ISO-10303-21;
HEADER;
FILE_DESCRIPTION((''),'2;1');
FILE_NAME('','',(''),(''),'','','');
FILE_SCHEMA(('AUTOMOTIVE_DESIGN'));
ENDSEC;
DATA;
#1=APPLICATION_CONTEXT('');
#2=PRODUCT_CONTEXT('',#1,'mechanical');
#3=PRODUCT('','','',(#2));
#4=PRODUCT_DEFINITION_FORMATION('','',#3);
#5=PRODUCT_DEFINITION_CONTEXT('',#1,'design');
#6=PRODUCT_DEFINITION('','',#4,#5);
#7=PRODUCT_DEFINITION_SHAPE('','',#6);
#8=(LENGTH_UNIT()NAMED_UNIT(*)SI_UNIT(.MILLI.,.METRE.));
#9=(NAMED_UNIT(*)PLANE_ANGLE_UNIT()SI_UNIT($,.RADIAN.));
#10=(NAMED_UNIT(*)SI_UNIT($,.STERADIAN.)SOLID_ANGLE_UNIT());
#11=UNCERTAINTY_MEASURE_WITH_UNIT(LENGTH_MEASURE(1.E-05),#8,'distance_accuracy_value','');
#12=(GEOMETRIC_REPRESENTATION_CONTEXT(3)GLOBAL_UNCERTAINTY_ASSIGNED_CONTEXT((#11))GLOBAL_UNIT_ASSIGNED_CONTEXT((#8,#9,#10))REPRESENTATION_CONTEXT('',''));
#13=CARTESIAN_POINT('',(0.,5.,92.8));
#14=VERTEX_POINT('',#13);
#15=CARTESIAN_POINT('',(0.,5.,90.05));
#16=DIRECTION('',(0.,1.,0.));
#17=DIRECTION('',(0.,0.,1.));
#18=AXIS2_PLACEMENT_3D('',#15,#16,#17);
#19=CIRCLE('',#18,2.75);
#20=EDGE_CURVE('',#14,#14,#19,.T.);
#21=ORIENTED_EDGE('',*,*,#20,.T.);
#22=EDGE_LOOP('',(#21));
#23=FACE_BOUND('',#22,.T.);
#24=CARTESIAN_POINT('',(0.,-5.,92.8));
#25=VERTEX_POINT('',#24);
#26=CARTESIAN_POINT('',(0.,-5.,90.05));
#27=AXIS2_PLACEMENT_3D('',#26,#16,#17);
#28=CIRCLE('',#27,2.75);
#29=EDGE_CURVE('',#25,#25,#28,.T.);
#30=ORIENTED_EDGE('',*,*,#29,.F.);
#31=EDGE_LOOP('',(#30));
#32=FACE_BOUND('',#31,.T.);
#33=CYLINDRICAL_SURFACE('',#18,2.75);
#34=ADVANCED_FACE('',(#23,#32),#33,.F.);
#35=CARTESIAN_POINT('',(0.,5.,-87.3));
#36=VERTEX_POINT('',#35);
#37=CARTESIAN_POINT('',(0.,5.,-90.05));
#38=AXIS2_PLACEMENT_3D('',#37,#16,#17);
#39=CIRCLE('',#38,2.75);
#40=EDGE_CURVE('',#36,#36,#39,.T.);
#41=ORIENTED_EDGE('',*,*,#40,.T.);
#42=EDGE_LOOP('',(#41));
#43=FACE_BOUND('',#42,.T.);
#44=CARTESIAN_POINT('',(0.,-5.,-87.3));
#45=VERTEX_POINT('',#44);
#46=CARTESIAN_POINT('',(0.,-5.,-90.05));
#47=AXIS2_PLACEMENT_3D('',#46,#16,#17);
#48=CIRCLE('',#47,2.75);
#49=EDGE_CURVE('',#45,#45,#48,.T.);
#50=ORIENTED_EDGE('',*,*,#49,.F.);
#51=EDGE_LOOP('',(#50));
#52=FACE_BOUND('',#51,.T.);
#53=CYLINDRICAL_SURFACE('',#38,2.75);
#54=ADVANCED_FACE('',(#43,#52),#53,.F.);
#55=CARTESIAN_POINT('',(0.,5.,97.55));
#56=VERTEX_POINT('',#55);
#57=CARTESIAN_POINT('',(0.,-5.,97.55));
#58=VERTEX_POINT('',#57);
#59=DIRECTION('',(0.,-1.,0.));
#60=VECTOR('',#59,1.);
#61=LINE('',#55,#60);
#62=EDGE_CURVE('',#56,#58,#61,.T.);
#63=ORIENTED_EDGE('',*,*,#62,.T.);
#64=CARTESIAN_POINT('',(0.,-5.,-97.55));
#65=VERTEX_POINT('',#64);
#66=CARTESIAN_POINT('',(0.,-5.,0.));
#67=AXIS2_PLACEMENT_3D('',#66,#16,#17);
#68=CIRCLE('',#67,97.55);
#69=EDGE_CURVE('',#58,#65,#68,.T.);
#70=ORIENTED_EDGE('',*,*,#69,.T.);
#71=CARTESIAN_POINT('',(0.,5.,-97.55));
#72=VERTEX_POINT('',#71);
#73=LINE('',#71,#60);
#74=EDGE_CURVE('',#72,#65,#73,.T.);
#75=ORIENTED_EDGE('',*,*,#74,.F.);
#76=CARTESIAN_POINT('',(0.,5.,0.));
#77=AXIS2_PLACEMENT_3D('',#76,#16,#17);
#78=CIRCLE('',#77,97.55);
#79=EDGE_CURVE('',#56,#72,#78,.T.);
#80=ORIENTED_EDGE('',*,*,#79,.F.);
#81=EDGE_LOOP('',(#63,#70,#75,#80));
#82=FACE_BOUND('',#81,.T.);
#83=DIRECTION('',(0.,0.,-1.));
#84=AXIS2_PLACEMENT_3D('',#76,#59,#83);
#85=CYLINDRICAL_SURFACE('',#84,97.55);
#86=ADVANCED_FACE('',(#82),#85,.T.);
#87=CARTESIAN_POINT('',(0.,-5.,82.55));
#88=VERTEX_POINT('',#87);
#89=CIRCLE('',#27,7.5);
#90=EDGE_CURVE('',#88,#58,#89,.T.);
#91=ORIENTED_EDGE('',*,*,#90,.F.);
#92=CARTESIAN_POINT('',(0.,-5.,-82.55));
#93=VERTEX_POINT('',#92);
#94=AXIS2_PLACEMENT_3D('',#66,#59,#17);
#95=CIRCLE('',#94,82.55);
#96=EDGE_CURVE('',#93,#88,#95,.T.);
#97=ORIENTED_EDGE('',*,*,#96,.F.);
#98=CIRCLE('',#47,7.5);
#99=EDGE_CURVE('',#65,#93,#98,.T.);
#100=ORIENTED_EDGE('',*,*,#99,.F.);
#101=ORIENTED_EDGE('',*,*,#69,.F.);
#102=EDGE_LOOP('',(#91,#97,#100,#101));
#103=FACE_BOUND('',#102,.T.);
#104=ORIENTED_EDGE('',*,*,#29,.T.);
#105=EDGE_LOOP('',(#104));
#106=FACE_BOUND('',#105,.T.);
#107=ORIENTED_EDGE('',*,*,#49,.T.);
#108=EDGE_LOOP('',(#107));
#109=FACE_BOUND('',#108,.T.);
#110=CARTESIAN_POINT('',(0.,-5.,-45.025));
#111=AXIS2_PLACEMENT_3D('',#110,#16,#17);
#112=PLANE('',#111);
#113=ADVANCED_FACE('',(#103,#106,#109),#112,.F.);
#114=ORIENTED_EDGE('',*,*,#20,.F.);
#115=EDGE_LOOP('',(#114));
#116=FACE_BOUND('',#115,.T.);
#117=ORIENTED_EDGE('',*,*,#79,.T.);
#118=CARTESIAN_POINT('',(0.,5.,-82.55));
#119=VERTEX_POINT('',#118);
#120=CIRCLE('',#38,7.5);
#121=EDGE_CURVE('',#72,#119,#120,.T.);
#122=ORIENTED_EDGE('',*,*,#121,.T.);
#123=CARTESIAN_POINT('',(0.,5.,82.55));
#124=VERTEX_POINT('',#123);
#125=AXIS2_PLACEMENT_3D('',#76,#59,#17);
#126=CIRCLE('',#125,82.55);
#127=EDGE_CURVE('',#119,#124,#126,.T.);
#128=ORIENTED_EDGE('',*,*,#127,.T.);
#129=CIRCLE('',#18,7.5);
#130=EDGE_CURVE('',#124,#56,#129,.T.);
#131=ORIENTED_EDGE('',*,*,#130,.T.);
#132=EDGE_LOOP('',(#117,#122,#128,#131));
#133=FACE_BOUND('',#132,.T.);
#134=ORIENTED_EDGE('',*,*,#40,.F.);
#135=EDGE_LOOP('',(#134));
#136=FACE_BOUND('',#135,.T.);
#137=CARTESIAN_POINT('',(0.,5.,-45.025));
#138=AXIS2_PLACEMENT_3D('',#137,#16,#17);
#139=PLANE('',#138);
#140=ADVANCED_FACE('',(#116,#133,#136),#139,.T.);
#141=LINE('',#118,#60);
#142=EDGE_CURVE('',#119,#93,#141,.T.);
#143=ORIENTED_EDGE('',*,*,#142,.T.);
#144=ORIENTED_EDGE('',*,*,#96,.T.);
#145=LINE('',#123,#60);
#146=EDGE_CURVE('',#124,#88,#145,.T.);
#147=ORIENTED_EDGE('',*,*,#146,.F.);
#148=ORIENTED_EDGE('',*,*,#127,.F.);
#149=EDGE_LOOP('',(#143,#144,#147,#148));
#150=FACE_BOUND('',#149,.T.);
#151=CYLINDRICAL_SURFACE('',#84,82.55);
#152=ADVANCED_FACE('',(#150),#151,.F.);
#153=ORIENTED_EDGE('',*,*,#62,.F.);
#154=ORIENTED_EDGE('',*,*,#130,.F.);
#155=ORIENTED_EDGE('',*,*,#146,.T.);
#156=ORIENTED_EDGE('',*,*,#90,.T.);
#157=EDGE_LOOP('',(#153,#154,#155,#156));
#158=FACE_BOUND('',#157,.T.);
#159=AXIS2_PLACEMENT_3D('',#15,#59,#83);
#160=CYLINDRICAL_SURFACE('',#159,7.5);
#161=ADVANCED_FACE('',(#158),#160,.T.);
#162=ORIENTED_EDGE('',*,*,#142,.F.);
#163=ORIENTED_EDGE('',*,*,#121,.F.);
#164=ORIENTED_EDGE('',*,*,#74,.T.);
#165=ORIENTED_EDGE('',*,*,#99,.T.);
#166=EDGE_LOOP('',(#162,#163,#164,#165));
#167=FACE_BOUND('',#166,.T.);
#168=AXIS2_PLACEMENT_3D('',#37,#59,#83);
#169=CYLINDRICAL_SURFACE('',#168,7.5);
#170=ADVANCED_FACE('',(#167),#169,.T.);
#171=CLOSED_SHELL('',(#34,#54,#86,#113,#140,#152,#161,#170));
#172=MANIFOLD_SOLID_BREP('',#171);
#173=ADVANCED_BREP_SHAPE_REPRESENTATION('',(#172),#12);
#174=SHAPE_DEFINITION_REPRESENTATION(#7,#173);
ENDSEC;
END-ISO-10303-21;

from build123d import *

# Parameters (mm, degrees)
BOSS_EXTRUDE1_DEPTH  = 5
M5_CLEARANCE_HOLE1_D = 5.5


with BuildPart() as part:
    # Sketch1 → Boss-Extrude1 (new body, symmetric)
    with BuildSketch(Plane(origin=(0, 0, 0), x_dir=(1, 0, 0), z_dir=(0, 1, 0))):
        with BuildLine():
            ThreePointArc((0, -82.55), (82.55, 0), (0, 82.55))
            ThreePointArc((0, 82.55), (-7.5, 90.05), (0, 97.55))
            ThreePointArc((0, 97.55), (97.55, 0), (0, -97.55))
            ThreePointArc((0, -97.55), (-7.5, -90.05), (0, -82.55))
        make_face()
    extrude(amount=BOSS_EXTRUDE1_DEPTH, both=True)

    # M5 Clearance Hole1 (through all)
    with Locations(Plane(origin=(0, 5, 0), x_dir=(1, 0, 0), z_dir=(0, 1, 0))):
        with Locations((0, 90.05), (0, -90.05)):
            Hole(M5_CLEARANCE_HOLE1_D / 2)


solid = part.part
